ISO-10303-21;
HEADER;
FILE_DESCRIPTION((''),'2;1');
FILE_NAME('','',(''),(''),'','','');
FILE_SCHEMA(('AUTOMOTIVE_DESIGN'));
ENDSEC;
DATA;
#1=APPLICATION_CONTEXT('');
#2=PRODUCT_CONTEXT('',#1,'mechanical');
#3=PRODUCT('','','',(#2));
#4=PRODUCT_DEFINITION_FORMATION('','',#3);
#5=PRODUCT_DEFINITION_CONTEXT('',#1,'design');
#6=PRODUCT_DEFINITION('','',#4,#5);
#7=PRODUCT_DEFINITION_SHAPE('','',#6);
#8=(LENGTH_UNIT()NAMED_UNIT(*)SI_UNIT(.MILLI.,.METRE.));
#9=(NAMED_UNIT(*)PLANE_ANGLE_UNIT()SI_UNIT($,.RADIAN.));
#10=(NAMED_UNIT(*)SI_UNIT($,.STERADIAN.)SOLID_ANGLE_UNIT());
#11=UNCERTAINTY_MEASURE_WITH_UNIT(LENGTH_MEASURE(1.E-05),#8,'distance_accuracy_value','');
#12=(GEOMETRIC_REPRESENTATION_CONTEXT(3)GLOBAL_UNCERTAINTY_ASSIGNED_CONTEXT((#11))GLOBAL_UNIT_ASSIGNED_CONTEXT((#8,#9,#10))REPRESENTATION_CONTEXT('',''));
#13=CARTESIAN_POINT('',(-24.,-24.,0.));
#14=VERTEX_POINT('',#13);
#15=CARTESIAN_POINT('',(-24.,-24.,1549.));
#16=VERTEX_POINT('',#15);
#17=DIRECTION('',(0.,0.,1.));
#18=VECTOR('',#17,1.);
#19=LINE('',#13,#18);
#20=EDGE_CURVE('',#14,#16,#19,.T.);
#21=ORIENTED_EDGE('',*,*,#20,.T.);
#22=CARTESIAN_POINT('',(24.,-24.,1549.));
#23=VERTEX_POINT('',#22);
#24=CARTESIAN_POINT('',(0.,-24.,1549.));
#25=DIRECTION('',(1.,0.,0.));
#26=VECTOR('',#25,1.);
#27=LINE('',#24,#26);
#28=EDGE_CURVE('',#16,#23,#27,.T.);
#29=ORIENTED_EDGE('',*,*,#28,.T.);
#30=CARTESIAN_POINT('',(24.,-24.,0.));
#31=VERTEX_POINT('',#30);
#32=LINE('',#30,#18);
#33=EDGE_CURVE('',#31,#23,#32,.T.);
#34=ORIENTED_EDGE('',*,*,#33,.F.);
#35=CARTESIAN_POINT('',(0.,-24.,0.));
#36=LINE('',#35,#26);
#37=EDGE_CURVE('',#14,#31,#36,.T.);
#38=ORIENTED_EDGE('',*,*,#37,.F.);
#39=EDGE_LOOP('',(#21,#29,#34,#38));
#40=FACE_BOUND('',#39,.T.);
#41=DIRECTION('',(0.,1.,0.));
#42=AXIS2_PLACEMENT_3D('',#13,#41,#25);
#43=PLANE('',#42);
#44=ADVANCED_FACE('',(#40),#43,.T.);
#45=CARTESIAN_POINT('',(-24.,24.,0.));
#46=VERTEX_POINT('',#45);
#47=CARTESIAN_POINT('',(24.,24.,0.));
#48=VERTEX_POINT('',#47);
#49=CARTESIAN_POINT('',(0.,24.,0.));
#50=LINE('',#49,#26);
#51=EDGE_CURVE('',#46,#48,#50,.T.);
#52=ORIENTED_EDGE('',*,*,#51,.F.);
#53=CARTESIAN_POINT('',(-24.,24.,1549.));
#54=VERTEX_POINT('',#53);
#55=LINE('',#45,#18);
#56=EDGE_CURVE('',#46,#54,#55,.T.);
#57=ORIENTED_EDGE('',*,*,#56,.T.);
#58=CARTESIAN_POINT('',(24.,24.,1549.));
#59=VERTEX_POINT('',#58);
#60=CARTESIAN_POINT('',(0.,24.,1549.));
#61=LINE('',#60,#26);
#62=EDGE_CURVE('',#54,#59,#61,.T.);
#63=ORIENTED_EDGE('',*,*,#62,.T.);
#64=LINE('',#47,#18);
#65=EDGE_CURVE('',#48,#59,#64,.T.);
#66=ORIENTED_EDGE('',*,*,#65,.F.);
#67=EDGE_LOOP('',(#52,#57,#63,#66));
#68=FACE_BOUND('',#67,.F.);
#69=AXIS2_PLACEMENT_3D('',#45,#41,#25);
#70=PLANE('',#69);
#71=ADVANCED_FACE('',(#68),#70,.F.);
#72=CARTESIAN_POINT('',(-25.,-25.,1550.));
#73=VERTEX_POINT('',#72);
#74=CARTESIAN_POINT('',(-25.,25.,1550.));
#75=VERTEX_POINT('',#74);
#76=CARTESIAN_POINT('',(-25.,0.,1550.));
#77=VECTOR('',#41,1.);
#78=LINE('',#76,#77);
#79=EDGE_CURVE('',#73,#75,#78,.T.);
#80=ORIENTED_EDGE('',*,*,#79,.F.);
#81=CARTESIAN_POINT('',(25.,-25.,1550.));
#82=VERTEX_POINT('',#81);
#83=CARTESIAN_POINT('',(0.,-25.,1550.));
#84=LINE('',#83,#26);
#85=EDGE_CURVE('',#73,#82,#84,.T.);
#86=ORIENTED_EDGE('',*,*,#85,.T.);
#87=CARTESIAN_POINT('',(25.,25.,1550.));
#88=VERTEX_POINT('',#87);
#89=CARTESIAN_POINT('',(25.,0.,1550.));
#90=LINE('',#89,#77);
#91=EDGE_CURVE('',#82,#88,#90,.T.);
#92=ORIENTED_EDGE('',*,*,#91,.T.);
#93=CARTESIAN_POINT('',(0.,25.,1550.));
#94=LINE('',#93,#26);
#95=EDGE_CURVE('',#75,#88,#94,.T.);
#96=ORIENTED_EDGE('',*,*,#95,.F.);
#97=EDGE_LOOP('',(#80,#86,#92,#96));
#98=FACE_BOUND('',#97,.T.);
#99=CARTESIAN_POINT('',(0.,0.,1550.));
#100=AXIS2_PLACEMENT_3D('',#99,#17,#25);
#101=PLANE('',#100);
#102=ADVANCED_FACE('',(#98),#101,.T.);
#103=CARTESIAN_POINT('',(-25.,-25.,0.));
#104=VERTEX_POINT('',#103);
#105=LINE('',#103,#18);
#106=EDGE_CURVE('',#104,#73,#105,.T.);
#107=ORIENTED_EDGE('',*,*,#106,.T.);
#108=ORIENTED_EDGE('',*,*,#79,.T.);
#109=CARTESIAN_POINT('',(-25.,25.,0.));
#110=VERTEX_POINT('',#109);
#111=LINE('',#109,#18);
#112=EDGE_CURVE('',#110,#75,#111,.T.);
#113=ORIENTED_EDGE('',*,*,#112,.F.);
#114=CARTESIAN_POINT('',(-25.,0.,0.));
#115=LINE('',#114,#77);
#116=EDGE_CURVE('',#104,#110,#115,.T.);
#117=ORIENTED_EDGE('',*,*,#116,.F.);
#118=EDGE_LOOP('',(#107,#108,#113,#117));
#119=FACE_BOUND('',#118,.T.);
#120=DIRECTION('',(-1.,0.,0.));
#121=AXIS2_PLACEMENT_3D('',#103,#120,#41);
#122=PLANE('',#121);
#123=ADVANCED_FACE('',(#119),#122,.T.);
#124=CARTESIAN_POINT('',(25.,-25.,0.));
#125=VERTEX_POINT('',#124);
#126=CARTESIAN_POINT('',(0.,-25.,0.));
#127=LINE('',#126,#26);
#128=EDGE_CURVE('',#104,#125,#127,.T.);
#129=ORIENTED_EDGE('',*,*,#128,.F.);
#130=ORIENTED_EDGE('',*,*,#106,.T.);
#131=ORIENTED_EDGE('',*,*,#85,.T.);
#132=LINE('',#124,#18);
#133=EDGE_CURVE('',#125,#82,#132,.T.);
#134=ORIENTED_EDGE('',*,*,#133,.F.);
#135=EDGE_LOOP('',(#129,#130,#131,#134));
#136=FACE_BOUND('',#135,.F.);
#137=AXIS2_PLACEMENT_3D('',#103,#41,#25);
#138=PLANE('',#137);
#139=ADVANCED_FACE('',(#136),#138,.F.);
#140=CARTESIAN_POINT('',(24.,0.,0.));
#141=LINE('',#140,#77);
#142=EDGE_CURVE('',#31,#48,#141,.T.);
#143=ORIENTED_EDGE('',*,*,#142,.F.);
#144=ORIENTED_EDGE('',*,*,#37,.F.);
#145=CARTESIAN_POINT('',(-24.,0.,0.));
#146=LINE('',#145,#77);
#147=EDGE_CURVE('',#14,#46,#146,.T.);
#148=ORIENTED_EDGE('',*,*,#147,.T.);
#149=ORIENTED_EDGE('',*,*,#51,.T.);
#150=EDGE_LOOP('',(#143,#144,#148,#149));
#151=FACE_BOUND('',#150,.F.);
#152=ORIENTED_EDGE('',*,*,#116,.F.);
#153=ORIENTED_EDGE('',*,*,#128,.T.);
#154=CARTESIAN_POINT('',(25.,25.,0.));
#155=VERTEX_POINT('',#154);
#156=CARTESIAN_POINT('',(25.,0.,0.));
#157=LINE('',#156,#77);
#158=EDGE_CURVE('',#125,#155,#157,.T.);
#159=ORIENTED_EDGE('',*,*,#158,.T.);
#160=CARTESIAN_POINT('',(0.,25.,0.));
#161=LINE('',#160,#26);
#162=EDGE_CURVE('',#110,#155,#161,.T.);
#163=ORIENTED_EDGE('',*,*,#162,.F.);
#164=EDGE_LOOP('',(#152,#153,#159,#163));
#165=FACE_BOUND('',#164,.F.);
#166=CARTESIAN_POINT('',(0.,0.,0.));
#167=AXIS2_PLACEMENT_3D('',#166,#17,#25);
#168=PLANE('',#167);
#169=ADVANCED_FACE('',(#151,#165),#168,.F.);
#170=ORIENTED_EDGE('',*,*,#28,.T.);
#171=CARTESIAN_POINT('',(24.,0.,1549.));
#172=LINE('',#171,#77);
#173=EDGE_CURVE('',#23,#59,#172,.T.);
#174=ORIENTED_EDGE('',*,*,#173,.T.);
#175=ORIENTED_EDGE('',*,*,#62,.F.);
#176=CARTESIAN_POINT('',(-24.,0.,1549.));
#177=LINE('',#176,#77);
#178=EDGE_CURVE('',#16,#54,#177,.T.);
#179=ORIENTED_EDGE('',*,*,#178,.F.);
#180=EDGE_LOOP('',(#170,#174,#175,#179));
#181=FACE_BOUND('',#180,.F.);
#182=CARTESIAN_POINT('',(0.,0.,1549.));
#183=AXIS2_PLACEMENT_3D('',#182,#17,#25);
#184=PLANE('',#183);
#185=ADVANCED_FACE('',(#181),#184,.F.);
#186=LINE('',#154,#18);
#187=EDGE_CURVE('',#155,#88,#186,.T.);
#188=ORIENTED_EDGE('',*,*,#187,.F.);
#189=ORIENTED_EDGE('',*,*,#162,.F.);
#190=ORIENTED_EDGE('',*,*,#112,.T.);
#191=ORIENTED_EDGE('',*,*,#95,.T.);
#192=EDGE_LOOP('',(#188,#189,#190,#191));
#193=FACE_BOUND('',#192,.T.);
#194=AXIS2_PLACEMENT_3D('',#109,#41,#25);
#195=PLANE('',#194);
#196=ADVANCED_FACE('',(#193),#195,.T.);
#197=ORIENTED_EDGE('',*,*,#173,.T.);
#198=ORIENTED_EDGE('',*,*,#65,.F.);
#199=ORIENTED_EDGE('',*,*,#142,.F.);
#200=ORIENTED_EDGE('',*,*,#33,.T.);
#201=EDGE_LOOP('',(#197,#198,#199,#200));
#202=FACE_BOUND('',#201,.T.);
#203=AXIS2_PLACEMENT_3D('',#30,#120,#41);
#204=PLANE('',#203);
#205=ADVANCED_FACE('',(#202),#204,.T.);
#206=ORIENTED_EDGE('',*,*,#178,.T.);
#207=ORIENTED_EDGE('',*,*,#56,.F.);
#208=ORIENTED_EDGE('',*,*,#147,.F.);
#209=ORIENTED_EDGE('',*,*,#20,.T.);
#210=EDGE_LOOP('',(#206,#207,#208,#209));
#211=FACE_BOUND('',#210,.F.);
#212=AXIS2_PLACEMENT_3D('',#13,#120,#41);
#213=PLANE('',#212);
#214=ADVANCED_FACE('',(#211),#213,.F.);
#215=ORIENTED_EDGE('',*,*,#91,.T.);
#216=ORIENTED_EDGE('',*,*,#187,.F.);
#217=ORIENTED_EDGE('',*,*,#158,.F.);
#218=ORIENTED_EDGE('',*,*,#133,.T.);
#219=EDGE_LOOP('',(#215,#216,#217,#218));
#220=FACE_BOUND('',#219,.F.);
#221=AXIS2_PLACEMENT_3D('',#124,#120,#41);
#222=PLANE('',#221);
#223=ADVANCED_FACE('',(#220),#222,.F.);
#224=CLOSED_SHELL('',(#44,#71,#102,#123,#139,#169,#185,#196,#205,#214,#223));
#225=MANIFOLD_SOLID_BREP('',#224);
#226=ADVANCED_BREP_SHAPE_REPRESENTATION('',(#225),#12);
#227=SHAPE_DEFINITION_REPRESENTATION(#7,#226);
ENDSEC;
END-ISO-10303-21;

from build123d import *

# Parameters (mm, degrees)
F0_W     = 50
F0_H     = 50
F0_W_2   = 48
F0_H_2   = 48
F1_DEPTH = 1550
F2_W     = 48
F2_H     = 48
F3_DEPTH = 1


with BuildPart() as f1:
    # F0 (on Top) → F1 (new body)
    with BuildSketch(Plane.XY):
        Rectangle(F0_W, F0_H)
        Rectangle(F0_W_2, F0_H_2, mode=Mode.SUBTRACT)
    extrude(amount=F1_DEPTH)

    # F2 (on face) → F3 (join)
    with BuildSketch(Plane.XY.offset(1550)):
        Rectangle(F2_W, F2_H)
    extrude(amount=-F3_DEPTH)


solid = f1.part
